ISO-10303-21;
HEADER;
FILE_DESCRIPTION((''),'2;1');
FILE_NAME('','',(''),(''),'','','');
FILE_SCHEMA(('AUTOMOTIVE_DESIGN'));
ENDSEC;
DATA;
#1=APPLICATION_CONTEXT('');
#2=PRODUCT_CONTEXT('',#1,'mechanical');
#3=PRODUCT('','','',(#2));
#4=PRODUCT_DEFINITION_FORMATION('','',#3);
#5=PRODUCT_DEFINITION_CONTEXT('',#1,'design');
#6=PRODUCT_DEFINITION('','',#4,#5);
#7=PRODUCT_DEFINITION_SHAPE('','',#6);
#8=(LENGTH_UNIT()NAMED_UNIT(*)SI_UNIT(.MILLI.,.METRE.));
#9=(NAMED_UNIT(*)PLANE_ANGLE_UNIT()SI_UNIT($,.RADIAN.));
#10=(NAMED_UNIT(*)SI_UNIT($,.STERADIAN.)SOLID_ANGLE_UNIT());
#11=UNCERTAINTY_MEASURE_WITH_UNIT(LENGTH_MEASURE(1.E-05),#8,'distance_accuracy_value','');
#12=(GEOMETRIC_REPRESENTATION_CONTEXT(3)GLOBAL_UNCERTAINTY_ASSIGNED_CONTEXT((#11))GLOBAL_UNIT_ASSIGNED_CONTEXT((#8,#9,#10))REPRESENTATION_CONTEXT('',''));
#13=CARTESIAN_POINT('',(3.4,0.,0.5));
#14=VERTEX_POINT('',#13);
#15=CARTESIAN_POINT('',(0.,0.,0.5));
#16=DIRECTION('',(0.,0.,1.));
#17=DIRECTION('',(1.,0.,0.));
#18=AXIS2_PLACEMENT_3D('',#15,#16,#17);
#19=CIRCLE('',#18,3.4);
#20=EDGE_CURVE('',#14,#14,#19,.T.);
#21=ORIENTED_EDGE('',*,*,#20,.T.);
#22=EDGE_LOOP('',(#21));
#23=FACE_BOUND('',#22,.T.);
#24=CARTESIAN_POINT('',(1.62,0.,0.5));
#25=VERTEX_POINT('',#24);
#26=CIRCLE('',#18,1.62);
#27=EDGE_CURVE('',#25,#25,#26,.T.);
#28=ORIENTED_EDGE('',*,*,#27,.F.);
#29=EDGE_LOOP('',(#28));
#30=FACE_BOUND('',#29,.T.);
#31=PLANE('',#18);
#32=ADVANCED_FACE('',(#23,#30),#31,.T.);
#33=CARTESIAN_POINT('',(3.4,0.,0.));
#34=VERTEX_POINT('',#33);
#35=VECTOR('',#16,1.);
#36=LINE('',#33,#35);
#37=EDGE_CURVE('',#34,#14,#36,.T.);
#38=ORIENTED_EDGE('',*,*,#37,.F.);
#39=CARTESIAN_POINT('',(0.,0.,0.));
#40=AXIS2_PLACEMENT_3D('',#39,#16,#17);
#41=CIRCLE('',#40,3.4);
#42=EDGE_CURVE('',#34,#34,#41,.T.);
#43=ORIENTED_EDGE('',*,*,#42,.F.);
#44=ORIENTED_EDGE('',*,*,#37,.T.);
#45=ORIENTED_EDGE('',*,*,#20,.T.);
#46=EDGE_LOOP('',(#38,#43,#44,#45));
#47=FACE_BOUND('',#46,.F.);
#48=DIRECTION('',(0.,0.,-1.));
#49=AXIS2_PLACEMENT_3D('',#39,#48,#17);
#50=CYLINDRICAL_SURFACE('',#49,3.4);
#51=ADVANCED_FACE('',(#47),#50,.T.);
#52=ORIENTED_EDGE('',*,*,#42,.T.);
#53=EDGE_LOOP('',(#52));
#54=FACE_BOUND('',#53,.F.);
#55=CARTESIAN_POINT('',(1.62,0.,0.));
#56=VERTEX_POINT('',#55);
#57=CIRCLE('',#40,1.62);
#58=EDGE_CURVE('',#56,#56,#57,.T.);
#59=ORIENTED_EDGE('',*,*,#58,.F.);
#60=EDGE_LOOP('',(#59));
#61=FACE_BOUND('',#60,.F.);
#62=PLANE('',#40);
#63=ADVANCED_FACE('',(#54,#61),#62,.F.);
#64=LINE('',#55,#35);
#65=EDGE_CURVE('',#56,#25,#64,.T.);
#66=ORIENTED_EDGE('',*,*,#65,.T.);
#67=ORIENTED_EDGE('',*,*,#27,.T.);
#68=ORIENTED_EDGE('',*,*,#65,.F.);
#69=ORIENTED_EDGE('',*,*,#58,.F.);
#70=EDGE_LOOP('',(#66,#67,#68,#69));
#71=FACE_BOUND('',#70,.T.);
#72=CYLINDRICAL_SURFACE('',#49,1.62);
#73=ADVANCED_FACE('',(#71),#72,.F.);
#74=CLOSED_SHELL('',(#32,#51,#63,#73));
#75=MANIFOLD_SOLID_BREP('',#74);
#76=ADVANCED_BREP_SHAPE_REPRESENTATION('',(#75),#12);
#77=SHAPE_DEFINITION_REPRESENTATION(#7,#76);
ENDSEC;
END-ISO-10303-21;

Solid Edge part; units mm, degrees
sketch "Sketch1" plane through (0, 0, 0) normal (0, 0, 1) x (1, 0, 0)
  circle A0 centre (0, 0) radius 3.4
  circle A1 centre (0, 0) radius 1.62
  dimension "D1" = 6.8
  dimension "D2" = 3.24
extrude "Protrusion1" add sketch "Sketch1" along normal blind 0.5
properties material "Stainless steel"
